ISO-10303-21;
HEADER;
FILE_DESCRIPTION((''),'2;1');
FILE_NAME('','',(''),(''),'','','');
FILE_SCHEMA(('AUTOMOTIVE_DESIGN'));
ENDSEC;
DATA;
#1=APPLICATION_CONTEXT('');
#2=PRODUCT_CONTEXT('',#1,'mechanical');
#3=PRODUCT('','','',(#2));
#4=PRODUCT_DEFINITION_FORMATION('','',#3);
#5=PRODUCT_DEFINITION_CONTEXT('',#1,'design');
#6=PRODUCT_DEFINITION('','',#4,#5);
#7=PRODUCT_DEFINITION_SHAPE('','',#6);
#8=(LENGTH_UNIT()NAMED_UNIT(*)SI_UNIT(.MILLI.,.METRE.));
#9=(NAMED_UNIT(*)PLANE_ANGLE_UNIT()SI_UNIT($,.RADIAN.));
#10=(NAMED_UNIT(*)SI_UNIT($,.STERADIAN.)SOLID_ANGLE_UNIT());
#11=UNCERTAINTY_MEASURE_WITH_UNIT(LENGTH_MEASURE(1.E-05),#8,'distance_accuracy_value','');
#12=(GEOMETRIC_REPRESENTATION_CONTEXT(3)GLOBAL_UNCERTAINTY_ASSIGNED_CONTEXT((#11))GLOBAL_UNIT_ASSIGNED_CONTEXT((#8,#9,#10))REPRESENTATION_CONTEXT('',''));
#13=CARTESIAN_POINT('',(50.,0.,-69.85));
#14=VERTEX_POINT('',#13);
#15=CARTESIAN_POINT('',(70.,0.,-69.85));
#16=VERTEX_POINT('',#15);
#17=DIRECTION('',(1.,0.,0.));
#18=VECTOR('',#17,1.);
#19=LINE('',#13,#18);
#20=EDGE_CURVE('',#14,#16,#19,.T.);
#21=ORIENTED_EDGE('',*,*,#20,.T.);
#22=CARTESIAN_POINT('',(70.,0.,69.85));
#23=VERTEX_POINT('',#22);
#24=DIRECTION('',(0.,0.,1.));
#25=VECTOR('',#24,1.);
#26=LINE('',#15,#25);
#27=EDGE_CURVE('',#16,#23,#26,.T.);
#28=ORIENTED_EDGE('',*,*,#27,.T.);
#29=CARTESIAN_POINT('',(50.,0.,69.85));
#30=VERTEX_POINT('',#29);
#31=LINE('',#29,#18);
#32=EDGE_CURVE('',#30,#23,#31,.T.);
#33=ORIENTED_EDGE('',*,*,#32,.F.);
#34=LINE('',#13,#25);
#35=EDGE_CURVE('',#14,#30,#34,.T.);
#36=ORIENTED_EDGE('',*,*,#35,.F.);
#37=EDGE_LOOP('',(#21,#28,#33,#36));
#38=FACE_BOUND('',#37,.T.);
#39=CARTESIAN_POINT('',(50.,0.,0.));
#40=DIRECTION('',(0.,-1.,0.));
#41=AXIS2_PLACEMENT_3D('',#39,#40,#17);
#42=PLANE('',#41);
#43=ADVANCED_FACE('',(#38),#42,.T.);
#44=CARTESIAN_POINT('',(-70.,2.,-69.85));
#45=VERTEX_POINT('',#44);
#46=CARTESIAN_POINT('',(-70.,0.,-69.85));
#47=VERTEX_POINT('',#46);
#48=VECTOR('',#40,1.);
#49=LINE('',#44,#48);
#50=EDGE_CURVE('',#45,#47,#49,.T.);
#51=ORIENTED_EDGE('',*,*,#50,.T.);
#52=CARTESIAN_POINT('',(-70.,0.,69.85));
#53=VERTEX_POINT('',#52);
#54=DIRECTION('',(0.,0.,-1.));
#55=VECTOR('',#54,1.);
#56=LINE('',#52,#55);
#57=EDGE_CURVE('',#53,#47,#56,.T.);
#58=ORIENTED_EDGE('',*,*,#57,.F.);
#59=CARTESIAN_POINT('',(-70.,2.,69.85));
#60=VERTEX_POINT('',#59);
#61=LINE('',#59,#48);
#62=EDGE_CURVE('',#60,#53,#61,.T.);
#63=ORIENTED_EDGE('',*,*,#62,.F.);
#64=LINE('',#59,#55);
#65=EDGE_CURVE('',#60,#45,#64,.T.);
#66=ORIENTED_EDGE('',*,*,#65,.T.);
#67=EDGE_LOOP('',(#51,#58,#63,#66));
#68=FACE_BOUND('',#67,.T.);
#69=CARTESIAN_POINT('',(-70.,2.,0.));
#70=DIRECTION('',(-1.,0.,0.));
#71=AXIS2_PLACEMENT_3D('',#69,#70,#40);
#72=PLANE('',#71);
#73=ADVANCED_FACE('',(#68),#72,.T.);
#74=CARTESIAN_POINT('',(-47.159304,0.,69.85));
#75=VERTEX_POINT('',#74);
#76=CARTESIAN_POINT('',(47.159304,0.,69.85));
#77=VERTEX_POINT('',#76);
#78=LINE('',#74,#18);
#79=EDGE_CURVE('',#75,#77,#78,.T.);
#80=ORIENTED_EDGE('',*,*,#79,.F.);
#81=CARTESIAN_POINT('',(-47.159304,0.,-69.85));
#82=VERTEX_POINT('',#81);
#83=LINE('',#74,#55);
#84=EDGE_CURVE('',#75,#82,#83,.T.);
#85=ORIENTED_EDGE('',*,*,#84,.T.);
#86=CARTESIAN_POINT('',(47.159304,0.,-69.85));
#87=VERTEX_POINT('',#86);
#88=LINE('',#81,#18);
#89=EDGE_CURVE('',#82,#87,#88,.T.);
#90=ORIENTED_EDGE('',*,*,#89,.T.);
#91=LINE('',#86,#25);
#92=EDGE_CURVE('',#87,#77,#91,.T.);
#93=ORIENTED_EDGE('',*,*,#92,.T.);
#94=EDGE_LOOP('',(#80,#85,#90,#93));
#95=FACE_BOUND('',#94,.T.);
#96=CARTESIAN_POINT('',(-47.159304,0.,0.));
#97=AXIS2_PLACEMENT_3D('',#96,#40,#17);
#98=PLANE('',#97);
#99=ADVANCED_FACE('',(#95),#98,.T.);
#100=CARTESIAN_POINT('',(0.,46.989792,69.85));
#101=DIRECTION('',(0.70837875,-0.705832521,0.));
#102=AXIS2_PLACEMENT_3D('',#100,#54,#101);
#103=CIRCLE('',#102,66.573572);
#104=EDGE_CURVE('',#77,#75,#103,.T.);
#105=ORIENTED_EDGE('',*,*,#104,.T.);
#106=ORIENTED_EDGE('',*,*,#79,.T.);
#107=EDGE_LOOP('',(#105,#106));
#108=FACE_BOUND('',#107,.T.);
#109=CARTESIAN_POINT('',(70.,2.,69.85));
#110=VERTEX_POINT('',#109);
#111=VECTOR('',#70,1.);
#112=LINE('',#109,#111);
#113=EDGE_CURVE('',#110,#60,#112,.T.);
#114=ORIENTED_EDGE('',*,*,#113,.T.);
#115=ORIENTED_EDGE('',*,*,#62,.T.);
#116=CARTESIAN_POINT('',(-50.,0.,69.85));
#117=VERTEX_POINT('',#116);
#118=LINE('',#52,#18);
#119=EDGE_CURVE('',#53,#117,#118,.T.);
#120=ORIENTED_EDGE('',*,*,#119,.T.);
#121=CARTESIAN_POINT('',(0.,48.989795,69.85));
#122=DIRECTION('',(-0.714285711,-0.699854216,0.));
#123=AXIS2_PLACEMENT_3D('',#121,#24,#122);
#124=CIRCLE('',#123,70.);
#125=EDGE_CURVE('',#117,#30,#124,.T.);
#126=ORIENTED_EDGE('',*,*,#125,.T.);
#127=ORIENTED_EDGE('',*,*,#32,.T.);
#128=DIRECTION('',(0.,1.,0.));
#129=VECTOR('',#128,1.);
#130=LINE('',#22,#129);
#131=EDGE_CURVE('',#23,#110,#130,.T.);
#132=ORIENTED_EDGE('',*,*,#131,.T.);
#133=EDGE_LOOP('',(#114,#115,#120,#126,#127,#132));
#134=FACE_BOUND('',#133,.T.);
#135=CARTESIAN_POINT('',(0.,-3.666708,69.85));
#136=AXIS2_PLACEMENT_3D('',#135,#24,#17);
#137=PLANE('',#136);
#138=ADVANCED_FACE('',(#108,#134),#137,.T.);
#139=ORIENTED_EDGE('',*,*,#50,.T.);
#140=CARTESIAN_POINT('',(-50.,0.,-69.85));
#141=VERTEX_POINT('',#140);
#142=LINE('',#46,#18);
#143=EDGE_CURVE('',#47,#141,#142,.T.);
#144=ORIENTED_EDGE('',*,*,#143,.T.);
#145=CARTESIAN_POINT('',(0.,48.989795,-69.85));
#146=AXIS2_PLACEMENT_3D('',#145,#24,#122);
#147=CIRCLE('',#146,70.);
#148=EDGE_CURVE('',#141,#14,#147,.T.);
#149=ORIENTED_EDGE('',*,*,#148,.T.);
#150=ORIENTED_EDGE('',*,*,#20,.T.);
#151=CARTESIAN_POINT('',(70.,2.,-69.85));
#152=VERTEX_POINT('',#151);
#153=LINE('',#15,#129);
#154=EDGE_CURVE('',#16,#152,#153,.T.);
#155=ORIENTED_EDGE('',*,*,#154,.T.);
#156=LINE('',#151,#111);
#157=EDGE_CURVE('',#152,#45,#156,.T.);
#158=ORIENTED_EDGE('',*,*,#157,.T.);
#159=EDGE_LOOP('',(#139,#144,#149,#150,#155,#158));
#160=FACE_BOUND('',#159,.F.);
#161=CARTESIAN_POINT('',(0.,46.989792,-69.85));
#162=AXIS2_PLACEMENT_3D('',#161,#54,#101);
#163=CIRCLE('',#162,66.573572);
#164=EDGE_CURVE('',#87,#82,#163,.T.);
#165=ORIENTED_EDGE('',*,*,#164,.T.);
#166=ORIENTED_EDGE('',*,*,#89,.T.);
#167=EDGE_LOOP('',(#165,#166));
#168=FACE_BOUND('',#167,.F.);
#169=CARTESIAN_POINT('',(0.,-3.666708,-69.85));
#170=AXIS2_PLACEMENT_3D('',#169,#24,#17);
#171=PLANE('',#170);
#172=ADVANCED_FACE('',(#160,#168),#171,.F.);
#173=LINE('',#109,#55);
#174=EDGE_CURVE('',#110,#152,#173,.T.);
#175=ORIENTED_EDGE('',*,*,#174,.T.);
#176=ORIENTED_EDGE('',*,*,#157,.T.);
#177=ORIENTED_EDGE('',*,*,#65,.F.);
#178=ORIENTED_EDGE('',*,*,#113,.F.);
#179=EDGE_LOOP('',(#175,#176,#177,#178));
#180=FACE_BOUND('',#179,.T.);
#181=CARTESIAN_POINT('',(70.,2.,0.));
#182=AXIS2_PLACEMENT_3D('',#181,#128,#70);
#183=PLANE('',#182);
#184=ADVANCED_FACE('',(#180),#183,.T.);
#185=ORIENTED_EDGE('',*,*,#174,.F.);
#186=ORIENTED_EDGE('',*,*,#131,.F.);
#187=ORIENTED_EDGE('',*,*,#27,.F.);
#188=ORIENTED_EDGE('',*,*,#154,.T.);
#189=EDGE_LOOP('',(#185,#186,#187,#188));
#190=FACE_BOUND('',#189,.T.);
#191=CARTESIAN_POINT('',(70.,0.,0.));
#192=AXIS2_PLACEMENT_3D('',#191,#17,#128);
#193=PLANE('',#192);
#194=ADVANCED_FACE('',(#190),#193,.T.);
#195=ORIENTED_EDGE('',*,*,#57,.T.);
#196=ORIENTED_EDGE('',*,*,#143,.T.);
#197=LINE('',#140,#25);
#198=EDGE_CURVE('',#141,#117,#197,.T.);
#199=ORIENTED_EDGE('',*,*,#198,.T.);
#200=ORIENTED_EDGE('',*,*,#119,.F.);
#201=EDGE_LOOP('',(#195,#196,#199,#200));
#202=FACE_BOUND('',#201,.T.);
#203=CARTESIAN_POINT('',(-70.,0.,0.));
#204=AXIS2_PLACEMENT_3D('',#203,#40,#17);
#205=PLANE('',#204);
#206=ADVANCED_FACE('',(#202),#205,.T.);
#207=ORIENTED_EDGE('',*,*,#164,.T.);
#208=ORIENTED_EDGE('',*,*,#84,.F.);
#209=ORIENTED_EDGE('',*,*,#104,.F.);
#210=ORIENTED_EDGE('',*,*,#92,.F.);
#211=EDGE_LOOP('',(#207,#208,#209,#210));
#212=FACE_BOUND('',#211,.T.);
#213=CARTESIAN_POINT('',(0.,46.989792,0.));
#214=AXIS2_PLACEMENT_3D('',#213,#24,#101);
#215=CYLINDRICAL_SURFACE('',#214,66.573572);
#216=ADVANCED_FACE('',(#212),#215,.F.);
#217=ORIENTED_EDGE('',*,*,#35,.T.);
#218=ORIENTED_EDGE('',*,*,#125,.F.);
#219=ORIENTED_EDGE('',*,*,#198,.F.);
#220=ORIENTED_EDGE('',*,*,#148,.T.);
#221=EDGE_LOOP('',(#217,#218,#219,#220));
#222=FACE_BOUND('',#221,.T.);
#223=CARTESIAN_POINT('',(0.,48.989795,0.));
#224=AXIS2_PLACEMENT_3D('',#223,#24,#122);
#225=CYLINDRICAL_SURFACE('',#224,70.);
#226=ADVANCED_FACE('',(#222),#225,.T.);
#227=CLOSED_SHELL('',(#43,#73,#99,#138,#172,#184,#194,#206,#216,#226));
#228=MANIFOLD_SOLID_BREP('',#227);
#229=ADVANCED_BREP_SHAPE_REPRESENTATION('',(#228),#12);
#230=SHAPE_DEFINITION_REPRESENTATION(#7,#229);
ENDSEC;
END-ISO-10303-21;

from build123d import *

# Parameters (mm, degrees)
F1_DEPTH = 69.85


with BuildPart() as f1:
    # F0 (on Top) → F1 (new body, symmetric)
    with BuildSketch(Plane.XY):
        with BuildLine():
            Line((-70, 0), (-50, 0))
            ThreePointArc((-50, 0), (0, -21.010205), (50, 0))
            Line((50, 0), (70, 0))
            Line((70, 0), (70, 2))
            Line((70, 2), (-70, 2))
            Line((-70, 2), (-70, 0))
        make_face()
        with BuildLine():
            ThreePointArc((47.159304, 0), (0, -19.58378), (-47.159304, 0))
            Line((-47.159304, 0), (47.159304, 0))
        make_face(mode=Mode.SUBTRACT)
    extrude(amount=F1_DEPTH, both=True)


solid = f1.part
